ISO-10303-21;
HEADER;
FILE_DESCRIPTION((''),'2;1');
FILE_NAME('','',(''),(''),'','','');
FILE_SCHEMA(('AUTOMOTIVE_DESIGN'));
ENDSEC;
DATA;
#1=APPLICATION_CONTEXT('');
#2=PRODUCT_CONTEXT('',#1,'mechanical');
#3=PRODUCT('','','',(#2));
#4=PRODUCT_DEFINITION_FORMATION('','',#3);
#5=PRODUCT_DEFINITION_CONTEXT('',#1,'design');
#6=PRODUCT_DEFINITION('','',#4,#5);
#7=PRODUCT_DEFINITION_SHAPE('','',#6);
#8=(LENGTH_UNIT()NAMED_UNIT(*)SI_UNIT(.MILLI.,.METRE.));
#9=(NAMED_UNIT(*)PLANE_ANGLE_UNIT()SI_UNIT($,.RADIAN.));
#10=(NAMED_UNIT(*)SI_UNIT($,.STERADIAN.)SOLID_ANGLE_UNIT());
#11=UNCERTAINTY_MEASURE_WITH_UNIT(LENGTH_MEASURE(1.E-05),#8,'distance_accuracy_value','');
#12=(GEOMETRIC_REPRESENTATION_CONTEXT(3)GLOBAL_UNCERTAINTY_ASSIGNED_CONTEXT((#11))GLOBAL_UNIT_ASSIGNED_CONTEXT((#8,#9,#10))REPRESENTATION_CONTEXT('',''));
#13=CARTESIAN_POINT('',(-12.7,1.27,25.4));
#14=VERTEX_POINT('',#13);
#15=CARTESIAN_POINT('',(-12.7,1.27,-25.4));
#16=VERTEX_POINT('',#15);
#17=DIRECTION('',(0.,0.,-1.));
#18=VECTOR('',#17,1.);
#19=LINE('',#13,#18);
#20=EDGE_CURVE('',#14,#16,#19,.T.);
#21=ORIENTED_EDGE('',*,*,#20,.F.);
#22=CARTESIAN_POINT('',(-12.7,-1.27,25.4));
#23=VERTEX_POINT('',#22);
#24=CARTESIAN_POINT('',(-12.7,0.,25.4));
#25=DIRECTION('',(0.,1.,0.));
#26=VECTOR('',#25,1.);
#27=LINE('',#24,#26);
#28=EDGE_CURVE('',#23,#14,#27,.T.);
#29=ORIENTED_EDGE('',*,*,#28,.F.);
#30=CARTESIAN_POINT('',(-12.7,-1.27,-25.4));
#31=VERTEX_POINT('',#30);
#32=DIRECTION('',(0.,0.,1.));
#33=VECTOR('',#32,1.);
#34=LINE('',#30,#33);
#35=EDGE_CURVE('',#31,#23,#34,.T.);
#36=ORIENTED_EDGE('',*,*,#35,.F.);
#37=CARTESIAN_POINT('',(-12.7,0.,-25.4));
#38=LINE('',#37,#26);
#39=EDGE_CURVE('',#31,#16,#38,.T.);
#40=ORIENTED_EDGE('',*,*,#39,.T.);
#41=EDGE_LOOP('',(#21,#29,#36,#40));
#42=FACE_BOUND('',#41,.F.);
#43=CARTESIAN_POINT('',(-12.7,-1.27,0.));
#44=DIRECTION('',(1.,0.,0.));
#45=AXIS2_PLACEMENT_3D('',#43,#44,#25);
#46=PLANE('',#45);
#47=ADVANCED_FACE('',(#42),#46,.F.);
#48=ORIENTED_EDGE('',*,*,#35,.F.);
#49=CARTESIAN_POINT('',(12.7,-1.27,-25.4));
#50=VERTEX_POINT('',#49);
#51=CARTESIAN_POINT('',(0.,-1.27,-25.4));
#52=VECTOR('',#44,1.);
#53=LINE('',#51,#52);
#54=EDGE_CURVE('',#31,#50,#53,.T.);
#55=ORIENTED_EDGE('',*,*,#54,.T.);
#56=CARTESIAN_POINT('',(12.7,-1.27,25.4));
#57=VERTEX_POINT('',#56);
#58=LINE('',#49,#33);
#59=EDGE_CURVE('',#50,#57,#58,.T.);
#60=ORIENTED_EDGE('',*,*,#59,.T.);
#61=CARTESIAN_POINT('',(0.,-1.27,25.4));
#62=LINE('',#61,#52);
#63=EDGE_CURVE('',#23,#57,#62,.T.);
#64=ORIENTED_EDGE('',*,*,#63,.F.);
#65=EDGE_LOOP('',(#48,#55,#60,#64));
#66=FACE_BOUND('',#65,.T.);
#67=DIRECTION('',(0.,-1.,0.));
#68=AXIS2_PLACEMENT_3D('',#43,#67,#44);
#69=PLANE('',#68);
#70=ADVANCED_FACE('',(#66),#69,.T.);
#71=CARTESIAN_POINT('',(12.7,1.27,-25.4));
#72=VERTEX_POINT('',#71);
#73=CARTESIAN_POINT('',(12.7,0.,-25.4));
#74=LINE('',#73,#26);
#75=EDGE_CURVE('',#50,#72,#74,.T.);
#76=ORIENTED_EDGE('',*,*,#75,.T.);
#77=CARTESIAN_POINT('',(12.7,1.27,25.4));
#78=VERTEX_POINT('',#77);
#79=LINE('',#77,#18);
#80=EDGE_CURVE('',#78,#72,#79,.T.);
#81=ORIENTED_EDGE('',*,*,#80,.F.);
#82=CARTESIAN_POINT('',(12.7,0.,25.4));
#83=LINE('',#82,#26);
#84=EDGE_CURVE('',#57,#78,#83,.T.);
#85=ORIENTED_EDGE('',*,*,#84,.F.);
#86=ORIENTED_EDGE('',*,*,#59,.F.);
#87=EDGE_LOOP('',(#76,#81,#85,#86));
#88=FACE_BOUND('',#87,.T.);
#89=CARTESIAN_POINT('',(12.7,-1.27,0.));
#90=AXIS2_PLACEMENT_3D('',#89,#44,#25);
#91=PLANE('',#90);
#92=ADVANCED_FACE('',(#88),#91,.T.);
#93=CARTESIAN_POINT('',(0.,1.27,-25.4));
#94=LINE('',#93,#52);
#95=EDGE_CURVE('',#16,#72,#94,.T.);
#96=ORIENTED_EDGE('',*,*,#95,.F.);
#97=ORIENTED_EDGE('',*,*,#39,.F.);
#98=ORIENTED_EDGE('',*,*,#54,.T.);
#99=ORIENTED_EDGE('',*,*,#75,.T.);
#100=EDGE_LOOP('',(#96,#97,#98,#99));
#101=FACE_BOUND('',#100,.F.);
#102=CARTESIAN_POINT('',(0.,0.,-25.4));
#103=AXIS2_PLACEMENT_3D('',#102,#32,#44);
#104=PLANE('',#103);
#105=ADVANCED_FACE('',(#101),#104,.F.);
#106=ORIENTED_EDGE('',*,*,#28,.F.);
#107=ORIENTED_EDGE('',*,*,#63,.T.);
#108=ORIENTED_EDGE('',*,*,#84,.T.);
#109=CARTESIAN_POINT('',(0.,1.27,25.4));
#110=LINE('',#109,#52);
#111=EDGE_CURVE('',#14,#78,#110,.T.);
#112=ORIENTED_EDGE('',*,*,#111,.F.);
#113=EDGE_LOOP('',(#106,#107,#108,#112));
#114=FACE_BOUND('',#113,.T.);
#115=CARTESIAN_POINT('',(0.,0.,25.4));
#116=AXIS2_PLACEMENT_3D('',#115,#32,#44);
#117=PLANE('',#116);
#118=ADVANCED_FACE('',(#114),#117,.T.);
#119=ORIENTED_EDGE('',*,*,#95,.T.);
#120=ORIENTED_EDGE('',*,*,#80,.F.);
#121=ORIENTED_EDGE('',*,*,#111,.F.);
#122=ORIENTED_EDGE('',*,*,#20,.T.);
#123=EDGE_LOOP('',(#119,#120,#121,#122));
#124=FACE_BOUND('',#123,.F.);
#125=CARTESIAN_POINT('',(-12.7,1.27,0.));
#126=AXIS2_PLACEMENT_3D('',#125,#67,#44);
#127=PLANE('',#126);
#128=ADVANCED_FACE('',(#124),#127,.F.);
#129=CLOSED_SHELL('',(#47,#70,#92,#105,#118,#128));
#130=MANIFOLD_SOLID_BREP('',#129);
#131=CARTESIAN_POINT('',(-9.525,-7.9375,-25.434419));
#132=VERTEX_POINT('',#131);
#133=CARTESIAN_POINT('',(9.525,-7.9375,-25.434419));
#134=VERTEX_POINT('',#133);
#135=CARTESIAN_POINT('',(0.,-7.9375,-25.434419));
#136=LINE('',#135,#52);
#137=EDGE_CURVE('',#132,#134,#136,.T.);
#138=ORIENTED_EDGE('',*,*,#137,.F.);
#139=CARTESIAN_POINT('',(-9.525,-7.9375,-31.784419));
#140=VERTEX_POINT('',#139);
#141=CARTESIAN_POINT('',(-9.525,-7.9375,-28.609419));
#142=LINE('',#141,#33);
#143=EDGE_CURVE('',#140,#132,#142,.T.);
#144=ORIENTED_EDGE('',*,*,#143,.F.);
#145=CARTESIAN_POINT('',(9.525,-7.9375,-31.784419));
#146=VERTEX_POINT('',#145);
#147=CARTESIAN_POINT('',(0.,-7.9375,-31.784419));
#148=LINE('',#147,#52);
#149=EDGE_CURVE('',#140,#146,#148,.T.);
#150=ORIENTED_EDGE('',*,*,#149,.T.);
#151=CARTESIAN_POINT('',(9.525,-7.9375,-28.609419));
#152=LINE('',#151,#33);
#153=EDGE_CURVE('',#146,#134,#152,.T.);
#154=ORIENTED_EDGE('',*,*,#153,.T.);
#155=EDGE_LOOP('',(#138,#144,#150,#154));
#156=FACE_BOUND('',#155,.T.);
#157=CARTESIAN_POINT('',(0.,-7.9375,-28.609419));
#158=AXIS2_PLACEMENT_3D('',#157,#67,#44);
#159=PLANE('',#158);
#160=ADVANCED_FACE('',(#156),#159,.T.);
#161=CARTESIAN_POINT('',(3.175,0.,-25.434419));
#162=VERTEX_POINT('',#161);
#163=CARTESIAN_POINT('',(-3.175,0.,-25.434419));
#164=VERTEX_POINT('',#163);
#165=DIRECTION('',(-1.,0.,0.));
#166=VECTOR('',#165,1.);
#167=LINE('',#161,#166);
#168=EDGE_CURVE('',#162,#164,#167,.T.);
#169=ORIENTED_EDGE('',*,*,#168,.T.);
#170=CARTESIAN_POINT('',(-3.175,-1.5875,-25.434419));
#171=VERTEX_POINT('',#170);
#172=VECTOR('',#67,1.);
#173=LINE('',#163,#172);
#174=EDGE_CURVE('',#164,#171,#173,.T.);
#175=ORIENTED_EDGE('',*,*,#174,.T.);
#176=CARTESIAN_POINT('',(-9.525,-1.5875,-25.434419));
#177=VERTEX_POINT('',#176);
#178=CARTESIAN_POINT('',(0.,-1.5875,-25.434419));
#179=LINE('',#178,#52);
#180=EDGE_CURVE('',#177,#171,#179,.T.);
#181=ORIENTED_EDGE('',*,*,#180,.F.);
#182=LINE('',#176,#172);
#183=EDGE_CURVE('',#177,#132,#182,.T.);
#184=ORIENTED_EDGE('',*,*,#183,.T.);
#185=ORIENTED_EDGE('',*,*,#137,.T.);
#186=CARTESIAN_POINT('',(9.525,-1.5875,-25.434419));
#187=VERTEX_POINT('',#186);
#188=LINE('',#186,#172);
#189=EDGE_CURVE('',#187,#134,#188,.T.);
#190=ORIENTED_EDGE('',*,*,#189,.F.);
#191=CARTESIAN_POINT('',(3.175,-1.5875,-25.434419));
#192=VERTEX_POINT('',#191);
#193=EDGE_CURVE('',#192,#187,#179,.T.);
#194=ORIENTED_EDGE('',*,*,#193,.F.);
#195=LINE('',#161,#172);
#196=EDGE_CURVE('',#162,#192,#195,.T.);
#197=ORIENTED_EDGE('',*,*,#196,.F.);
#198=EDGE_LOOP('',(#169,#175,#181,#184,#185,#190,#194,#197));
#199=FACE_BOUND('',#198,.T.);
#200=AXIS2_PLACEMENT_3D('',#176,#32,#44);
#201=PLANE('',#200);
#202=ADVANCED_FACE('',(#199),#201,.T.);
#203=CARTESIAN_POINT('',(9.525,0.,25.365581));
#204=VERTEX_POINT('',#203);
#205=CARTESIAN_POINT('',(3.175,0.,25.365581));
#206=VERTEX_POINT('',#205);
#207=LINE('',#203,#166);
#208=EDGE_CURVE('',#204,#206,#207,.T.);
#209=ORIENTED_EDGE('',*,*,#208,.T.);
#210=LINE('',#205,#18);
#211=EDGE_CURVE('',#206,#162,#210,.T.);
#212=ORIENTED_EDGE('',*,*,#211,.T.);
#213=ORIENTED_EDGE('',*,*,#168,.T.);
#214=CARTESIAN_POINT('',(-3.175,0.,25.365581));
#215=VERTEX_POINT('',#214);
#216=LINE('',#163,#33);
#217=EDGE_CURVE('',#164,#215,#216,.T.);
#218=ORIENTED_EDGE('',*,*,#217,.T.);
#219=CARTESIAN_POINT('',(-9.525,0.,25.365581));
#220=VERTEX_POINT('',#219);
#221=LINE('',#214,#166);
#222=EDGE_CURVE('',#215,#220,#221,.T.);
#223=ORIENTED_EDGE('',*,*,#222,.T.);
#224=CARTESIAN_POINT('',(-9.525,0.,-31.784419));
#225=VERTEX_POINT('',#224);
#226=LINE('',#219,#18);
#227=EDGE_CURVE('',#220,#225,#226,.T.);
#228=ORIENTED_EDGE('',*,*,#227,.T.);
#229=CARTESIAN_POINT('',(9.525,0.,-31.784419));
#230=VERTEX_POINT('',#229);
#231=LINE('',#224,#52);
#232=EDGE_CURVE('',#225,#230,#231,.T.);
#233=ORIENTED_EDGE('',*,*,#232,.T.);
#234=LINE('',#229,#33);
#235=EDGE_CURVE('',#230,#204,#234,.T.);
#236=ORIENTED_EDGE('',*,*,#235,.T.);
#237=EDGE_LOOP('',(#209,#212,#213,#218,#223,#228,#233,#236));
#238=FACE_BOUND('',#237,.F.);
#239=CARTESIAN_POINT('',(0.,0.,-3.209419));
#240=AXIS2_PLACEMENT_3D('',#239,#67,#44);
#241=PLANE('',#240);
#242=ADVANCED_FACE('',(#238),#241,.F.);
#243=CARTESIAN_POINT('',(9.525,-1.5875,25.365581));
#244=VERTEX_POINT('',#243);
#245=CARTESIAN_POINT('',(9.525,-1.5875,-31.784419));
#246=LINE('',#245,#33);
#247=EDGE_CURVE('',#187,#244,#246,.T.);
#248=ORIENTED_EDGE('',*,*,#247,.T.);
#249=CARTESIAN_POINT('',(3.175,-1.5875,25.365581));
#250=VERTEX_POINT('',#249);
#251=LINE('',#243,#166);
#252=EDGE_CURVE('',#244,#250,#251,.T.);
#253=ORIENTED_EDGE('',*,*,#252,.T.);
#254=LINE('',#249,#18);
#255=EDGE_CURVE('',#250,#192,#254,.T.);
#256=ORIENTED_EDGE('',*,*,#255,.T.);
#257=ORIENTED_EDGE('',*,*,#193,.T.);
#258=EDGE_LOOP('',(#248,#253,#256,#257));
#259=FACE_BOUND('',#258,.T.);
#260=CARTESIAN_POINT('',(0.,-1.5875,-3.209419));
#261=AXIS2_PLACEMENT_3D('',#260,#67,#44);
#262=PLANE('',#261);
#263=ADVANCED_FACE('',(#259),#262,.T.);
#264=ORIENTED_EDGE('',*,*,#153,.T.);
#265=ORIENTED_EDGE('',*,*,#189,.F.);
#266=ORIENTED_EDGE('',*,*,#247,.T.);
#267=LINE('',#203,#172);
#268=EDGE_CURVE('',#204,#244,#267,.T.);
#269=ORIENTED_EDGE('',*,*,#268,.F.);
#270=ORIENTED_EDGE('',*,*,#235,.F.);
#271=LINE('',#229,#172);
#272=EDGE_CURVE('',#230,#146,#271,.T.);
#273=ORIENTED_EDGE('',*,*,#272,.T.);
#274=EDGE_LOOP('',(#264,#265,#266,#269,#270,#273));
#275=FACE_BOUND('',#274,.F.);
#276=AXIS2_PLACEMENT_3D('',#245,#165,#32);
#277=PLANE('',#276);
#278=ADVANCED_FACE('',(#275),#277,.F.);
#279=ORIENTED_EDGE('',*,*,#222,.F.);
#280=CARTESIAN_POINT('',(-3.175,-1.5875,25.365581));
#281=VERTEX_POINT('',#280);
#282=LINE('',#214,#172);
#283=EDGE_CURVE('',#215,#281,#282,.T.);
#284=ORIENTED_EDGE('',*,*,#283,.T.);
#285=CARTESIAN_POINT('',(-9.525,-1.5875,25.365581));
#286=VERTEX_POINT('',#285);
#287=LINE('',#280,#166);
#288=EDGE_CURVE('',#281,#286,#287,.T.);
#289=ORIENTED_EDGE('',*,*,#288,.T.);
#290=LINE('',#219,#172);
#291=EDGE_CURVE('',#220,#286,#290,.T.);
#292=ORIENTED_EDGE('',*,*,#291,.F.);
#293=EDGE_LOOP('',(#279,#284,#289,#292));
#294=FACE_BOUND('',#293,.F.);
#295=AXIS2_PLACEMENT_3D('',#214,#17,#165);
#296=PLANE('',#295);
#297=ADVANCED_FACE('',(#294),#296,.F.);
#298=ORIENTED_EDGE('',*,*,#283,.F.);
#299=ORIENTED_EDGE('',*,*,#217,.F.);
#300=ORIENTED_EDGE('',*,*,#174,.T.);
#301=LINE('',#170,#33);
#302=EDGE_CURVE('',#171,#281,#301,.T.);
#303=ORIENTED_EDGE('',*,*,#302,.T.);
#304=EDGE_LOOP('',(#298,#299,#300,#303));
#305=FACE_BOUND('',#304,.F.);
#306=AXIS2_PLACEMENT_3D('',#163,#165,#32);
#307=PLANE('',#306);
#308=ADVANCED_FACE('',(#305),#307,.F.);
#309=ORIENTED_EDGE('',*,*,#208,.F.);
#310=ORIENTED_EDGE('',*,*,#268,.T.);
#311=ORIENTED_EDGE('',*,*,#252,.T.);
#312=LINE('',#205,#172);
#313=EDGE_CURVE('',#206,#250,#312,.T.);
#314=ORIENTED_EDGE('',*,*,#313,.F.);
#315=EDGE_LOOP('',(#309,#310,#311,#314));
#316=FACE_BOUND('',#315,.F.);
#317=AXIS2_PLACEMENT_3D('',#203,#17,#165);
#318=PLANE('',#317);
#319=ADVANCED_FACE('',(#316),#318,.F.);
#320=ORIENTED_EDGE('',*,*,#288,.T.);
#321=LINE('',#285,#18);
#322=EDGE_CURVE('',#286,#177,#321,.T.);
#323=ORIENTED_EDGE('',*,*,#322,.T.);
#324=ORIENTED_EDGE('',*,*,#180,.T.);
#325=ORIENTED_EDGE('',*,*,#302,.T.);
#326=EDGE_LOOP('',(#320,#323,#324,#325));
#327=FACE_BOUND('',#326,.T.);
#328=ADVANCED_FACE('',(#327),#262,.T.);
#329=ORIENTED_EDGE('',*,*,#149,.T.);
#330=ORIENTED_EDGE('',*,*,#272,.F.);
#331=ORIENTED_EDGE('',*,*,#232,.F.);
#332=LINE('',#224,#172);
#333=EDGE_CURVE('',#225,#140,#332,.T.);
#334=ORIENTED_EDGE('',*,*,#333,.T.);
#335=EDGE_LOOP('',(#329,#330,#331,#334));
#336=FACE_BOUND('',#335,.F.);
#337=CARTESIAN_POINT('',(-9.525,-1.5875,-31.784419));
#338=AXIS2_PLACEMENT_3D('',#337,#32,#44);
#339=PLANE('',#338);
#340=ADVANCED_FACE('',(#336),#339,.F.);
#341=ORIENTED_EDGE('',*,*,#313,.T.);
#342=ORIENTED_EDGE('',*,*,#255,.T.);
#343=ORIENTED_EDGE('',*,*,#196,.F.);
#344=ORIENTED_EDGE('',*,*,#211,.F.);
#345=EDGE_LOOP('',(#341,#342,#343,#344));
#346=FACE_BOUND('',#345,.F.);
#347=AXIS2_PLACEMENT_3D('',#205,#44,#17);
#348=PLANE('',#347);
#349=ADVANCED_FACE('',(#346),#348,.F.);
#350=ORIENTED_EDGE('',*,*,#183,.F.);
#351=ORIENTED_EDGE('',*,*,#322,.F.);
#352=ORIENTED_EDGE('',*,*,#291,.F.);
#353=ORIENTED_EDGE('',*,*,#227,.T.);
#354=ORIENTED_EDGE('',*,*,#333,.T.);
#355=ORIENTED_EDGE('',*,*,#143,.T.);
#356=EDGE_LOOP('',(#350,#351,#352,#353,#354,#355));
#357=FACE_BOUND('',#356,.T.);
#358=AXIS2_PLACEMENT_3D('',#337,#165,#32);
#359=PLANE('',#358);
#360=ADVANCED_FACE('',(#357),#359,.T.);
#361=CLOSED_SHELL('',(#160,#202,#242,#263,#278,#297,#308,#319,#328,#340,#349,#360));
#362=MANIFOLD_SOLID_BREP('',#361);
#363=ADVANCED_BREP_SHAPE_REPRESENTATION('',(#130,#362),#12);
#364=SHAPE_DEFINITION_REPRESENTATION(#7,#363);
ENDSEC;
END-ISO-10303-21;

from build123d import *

# Parameters (mm, degrees)
F0_W     = 25.4
F0_H     = 2.54
F1_DEPTH = 25.4
F3_DEPTH = 1.5875
F4_W     = 19.05
F4_H     = 6.35
F5_DEPTH = 6.35


with BuildPart() as f1:
    # F0 (on Top) → F1 (new body, symmetric)
    with BuildSketch(Plane.XY):
        Rectangle(F0_W, F0_H)
    extrude(amount=F1_DEPTH, both=True)


with BuildPart() as f3:
    # F2 (on Front) → F3 (new body)
    with BuildSketch(Plane.XZ):
        Polygon((-3.175, 25.365581), (-9.525, 25.365581), (-9.525, -25.434419), (-9.525, -31.784419), (9.525, -31.784419), (9.525, -25.434419), (9.525, 25.365581), (3.175, 25.365581), (3.175, -25.434419), (-3.175, -25.434419), align=None)
    extrude(amount=F3_DEPTH)

    # F4 (on face) → F5 (join)
    with BuildSketch(Plane.XZ.offset(1.5875)):
        with Locations((0, -28.609419)):
            Rectangle(F4_W, F4_H)
    extrude(amount=F5_DEPTH)


solid = Compound([f1.part, f3.part])
